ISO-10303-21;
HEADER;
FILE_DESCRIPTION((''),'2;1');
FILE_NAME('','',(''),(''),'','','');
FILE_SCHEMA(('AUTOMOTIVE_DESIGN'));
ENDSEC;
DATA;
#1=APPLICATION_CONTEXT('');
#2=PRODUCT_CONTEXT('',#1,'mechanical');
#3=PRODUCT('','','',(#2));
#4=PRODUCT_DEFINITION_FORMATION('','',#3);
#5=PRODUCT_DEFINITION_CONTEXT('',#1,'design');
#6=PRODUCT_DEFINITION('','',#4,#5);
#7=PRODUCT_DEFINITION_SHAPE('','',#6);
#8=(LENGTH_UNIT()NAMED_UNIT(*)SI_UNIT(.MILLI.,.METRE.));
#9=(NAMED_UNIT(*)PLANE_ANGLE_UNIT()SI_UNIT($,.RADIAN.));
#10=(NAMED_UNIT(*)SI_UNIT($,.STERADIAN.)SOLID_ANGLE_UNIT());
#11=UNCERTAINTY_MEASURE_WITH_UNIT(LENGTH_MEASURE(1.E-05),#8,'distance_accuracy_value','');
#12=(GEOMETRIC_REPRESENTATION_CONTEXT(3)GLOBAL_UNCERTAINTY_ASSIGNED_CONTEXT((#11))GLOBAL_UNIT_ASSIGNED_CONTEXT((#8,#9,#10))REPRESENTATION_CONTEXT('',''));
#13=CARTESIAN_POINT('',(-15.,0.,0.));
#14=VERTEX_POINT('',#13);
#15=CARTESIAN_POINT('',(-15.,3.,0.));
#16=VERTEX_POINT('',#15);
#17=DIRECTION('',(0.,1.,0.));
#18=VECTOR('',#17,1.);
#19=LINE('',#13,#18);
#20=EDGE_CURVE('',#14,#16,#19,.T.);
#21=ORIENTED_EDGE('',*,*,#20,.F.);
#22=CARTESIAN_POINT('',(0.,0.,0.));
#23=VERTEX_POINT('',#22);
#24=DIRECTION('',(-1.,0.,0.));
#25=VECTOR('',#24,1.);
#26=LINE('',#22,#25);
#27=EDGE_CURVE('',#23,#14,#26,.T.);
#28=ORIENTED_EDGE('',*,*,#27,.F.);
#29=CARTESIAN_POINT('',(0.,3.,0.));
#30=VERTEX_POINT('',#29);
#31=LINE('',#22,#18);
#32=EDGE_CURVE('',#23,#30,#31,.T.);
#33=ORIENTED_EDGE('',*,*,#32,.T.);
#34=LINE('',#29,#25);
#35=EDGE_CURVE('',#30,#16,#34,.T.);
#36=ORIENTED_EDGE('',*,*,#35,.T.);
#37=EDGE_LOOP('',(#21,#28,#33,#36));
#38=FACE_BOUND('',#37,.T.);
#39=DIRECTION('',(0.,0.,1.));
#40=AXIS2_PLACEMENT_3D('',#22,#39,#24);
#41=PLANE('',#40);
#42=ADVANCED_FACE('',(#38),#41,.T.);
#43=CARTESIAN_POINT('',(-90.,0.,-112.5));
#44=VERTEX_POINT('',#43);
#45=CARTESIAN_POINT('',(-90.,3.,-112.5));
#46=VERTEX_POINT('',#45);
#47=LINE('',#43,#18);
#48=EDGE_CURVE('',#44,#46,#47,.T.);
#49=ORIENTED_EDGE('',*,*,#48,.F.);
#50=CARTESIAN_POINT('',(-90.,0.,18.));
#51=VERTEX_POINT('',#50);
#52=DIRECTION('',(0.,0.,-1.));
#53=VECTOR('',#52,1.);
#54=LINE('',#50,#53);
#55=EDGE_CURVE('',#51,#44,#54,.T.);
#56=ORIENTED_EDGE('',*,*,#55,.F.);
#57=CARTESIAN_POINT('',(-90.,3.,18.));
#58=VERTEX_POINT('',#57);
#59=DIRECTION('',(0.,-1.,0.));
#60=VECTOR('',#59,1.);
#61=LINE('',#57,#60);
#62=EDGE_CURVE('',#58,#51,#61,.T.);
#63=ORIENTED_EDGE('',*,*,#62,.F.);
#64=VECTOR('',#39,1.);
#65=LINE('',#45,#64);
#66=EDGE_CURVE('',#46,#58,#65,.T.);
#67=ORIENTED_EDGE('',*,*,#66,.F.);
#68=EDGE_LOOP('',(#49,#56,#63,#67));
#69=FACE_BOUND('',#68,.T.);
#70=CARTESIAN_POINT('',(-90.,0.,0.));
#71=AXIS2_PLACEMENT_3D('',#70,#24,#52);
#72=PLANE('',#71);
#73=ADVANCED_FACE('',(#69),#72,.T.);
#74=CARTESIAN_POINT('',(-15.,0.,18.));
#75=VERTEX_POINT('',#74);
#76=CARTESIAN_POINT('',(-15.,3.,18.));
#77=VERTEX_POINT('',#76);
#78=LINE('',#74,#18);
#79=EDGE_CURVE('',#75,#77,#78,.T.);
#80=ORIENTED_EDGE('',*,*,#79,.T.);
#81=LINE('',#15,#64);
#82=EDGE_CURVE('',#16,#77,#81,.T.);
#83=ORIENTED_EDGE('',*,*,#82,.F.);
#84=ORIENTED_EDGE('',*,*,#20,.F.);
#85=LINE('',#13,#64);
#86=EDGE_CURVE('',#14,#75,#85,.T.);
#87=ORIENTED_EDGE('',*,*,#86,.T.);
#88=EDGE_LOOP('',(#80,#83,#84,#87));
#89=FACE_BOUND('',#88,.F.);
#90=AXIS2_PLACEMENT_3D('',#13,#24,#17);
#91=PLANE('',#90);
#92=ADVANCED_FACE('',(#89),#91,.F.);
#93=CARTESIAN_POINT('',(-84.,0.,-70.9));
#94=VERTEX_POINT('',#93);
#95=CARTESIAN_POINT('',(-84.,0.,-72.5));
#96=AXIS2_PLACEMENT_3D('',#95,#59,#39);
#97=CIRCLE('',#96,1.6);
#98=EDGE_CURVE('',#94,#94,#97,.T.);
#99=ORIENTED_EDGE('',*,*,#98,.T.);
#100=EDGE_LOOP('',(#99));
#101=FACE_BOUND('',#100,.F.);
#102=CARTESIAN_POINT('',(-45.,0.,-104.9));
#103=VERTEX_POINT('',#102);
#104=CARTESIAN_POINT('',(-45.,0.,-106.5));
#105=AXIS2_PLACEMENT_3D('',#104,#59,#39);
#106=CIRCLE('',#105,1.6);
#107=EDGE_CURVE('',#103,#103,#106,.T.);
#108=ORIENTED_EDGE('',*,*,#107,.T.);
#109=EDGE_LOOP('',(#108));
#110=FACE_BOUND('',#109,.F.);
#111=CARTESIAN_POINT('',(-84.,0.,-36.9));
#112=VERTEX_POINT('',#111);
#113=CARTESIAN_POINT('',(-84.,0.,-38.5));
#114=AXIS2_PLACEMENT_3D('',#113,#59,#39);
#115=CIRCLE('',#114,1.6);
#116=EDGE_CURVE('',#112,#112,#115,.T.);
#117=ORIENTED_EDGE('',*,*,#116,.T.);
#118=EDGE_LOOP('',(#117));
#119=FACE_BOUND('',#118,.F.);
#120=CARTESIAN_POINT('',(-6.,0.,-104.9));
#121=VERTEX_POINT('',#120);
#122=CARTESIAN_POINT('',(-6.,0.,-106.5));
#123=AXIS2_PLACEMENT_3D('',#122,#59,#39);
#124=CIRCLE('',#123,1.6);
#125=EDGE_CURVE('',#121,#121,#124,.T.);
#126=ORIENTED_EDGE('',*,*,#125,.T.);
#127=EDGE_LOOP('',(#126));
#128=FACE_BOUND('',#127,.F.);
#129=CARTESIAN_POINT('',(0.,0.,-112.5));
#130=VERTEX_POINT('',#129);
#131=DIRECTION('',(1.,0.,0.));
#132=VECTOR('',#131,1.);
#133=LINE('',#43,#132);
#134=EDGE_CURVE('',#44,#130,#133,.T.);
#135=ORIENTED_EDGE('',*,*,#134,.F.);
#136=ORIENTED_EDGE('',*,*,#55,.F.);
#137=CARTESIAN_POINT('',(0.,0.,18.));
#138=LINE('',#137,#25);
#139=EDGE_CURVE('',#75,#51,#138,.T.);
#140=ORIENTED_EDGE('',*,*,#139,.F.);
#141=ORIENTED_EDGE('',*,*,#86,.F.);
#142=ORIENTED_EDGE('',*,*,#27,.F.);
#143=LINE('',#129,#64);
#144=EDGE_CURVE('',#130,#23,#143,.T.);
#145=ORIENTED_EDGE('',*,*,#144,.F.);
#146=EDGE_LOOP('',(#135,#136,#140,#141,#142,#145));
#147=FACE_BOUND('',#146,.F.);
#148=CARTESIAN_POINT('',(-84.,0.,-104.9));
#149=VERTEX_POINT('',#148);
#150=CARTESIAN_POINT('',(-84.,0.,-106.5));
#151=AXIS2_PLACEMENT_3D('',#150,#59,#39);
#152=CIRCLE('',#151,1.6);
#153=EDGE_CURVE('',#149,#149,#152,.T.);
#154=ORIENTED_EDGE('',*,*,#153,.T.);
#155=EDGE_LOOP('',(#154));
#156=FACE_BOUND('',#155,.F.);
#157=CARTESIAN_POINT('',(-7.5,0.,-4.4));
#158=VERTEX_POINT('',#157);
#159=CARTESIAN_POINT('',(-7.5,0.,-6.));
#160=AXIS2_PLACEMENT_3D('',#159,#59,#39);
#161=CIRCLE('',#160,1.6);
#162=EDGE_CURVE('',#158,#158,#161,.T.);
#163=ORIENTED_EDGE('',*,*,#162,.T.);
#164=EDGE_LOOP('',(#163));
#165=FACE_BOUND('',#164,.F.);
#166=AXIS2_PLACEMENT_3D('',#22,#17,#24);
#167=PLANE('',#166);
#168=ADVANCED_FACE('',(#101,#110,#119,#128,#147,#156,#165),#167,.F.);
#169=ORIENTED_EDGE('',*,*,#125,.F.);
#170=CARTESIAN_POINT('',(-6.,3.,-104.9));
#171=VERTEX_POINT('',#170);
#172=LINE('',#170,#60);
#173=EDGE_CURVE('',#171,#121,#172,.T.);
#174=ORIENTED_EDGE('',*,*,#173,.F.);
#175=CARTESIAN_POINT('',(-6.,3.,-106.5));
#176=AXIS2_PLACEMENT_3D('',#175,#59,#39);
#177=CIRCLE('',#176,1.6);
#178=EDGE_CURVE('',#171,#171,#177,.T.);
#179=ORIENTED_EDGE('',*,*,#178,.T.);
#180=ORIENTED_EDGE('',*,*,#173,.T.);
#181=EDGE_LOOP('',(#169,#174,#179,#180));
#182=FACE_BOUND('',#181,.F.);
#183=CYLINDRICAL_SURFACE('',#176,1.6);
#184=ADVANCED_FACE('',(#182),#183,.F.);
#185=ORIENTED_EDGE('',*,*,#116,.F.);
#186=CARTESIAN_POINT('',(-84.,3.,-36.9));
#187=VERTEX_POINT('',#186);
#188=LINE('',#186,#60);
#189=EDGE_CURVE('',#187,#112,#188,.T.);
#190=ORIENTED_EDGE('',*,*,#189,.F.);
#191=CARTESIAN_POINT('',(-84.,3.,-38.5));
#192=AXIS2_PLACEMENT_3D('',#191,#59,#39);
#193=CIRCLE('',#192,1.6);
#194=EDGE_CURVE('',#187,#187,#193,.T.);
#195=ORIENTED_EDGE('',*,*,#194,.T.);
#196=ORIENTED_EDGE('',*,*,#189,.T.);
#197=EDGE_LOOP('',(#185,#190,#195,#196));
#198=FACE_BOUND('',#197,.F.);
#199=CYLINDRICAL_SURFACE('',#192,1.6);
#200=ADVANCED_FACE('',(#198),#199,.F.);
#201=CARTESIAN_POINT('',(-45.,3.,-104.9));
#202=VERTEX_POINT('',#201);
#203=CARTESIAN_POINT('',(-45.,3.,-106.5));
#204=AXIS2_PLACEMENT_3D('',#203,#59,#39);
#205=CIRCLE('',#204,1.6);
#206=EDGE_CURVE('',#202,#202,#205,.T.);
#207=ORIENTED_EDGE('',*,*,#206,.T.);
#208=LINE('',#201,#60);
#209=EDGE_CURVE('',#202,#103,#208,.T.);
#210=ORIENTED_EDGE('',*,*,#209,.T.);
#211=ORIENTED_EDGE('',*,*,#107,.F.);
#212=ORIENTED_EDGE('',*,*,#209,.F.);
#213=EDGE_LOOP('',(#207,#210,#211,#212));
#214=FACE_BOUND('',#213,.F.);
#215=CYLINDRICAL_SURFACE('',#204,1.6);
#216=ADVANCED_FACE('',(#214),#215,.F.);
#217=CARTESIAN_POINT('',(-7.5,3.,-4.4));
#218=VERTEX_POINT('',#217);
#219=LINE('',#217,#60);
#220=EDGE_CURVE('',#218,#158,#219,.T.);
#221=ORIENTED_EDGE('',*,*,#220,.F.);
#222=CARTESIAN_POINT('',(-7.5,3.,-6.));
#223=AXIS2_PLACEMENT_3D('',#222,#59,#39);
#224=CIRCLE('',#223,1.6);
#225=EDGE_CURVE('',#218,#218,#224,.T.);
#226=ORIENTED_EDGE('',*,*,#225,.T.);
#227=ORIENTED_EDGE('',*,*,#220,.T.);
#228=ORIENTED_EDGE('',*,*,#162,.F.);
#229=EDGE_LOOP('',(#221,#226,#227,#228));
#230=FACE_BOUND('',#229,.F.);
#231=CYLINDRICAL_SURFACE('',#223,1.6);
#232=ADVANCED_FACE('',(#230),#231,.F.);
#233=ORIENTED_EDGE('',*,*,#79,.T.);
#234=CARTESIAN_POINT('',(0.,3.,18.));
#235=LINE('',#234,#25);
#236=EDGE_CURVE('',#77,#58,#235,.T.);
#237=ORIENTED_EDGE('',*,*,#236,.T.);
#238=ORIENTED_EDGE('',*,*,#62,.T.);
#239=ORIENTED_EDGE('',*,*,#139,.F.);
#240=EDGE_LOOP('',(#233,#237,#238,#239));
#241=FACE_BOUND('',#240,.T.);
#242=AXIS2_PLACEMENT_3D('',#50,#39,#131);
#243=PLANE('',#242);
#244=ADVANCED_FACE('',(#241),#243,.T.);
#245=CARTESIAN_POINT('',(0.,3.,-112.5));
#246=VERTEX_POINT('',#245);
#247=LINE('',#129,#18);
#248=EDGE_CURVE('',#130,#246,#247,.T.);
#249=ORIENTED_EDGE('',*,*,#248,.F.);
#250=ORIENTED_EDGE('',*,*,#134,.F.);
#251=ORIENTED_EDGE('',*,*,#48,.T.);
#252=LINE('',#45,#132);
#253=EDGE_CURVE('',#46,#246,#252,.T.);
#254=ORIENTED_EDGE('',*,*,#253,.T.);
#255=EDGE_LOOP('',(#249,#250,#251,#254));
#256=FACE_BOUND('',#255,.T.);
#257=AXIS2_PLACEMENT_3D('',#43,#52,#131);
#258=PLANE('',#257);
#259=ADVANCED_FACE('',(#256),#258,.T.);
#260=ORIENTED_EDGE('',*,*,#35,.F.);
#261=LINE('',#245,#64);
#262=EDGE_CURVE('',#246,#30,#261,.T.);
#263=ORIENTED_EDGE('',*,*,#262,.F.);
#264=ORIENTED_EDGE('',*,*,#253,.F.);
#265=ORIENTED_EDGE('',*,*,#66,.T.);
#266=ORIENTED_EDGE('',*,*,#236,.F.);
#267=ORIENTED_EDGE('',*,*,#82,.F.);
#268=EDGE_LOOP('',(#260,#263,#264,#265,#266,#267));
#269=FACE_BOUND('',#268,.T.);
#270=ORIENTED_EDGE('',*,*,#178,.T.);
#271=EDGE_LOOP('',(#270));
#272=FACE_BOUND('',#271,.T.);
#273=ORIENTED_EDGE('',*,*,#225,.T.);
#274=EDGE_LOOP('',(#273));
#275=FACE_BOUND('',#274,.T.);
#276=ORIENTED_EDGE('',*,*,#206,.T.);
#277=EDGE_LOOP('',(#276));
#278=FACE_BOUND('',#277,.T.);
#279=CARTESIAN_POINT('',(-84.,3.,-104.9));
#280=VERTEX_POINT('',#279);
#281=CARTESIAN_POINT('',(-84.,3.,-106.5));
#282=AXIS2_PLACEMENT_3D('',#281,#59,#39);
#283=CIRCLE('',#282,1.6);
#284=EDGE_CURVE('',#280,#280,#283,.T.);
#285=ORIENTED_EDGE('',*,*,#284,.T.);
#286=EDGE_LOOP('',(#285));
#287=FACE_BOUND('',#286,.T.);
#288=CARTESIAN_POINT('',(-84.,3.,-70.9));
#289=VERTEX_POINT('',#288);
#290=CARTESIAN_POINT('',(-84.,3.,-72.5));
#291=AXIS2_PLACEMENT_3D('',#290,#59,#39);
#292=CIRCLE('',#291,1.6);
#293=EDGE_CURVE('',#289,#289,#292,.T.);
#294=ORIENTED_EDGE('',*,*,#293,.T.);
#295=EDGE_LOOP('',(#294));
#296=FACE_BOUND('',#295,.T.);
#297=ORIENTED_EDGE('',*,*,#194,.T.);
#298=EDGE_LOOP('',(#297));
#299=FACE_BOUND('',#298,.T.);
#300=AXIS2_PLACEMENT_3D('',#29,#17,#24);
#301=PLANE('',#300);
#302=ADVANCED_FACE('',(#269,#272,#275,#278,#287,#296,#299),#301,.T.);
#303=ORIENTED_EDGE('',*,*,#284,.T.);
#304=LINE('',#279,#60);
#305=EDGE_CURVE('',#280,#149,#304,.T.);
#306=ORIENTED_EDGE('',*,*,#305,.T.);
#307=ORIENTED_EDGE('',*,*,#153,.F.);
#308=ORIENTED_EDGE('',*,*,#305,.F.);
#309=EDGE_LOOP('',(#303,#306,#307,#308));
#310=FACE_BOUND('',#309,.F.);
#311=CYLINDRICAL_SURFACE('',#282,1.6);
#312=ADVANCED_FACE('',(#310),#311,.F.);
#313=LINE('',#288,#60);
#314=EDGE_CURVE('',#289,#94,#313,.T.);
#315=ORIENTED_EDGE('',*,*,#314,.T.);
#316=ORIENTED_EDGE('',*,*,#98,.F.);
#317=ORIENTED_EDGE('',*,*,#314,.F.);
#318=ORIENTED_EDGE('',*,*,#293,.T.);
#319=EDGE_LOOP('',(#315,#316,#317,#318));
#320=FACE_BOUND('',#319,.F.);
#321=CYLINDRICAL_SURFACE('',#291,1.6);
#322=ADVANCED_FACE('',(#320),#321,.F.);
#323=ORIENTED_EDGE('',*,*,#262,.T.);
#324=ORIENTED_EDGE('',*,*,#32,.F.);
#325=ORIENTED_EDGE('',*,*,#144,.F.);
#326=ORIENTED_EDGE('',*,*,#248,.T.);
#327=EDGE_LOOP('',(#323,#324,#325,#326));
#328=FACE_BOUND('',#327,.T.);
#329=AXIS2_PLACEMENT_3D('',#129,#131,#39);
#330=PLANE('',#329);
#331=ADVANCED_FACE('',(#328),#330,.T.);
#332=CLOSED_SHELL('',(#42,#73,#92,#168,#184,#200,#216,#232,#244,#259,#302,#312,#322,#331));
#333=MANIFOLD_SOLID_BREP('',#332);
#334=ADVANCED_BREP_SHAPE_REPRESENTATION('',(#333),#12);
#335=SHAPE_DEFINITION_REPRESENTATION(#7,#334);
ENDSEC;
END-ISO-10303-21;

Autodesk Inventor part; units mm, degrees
ref_plane "YZ Plane" through (0, 0, 0) normal (1, 0, 0) x (0, 1, 0)
ref_plane "XZ Plane" through (0, 0, 0) normal (0, 1, 0) x (-1, 0, 0)
ref_plane "XY Plane" through (0, 0, 0) normal (0, 0, 1) x (1, 0, 0)
sketch "Sketch1" plane through (0, 0, 0) normal (0, 1, 0) x (-1, 0, 0)
  line L0 (0, 0) -> (90, 0)
  line L1 (90, 0) -> (90, -112.5)
  line L2 (90, -112.5) -> (0, -112.5)
  line L3 (0, -112.5) -> (0, 0)
  dimension "d0" = 90
  dimension "d1" = 112.5
extrude "Extrusion1" add sketch "Sketch1" along normal blind 3
sketch "Sketch3" plane through (-90, 0, 0) normal (0, 0, 1) x (1, 0, 0)
  line L0 (90, 0) -> (0, 0) projected
  line L1 (90, 3) -> (0, 3) projected
  line L2 (0, 0) -> (75, 0)
  line L3 (75, 0) -> (75, 3)
  line L4 (75, 3) -> (0, 3)
  line L5 (0, 3) -> (0, 0)
  line L6 (90, 0) -> (90, 3) projected
  point P0 (0, 3)
  dimension "d5" = 15
extrude "Extrusion2" add sketch "Sketch3" along normal blind 18 contours L0 L5 L1 L3
sketch "Sketch4" plane through (0, 3, 0) normal (0, 1, 0) x (1, 0, 0)
  line L0 (-6, 128.5084) -> (-6, -27.8518) construction
  line L1 (-118.0415, 106.5) -> (21.4799, 106.5) construction
  line L2 (-84, 125.301) -> (-84, -43.3542) construction
  line L3 (-90, 112.5) -> (-90, -18) projected
  line L4 (0, 112.5) -> (-90, 112.5) projected
  line L5 (0, 0) -> (0, 112.5) projected
  line L6 (-35.7185, 6) -> (24.9546, 6) construction
  line L7 (-15, 0) -> (0, 0) projected
  point P0 (-7.5, 6)
  point P1 (-6, 106.5)
  point P2 (-45, 106.5)
  point P3 (-84, 106.5)
  point P4 (-84, 72.5)
  point P5 (-84, 38.5)
  dimension "d8" = 6
  dimension "d9" = 6
  dimension "d10" = 6
  dimension "d11" = 6
  dimension "d12" = 7.5
  dimension "d13" = 39
  dimension "d14" = 34
  dimension "d15" = 34
hole "Hole1" at (-7.5, 3, -6) at (-6, 3, -106.5) at (-45, 3, -106.5) at (-84, 3, -106.5) at (-84, 3, -72.5) at (-84, 3, -38.5) direction (0, -1, 0) diameter 3.2 end through all
properties part number "Gas Side Top Cover"
